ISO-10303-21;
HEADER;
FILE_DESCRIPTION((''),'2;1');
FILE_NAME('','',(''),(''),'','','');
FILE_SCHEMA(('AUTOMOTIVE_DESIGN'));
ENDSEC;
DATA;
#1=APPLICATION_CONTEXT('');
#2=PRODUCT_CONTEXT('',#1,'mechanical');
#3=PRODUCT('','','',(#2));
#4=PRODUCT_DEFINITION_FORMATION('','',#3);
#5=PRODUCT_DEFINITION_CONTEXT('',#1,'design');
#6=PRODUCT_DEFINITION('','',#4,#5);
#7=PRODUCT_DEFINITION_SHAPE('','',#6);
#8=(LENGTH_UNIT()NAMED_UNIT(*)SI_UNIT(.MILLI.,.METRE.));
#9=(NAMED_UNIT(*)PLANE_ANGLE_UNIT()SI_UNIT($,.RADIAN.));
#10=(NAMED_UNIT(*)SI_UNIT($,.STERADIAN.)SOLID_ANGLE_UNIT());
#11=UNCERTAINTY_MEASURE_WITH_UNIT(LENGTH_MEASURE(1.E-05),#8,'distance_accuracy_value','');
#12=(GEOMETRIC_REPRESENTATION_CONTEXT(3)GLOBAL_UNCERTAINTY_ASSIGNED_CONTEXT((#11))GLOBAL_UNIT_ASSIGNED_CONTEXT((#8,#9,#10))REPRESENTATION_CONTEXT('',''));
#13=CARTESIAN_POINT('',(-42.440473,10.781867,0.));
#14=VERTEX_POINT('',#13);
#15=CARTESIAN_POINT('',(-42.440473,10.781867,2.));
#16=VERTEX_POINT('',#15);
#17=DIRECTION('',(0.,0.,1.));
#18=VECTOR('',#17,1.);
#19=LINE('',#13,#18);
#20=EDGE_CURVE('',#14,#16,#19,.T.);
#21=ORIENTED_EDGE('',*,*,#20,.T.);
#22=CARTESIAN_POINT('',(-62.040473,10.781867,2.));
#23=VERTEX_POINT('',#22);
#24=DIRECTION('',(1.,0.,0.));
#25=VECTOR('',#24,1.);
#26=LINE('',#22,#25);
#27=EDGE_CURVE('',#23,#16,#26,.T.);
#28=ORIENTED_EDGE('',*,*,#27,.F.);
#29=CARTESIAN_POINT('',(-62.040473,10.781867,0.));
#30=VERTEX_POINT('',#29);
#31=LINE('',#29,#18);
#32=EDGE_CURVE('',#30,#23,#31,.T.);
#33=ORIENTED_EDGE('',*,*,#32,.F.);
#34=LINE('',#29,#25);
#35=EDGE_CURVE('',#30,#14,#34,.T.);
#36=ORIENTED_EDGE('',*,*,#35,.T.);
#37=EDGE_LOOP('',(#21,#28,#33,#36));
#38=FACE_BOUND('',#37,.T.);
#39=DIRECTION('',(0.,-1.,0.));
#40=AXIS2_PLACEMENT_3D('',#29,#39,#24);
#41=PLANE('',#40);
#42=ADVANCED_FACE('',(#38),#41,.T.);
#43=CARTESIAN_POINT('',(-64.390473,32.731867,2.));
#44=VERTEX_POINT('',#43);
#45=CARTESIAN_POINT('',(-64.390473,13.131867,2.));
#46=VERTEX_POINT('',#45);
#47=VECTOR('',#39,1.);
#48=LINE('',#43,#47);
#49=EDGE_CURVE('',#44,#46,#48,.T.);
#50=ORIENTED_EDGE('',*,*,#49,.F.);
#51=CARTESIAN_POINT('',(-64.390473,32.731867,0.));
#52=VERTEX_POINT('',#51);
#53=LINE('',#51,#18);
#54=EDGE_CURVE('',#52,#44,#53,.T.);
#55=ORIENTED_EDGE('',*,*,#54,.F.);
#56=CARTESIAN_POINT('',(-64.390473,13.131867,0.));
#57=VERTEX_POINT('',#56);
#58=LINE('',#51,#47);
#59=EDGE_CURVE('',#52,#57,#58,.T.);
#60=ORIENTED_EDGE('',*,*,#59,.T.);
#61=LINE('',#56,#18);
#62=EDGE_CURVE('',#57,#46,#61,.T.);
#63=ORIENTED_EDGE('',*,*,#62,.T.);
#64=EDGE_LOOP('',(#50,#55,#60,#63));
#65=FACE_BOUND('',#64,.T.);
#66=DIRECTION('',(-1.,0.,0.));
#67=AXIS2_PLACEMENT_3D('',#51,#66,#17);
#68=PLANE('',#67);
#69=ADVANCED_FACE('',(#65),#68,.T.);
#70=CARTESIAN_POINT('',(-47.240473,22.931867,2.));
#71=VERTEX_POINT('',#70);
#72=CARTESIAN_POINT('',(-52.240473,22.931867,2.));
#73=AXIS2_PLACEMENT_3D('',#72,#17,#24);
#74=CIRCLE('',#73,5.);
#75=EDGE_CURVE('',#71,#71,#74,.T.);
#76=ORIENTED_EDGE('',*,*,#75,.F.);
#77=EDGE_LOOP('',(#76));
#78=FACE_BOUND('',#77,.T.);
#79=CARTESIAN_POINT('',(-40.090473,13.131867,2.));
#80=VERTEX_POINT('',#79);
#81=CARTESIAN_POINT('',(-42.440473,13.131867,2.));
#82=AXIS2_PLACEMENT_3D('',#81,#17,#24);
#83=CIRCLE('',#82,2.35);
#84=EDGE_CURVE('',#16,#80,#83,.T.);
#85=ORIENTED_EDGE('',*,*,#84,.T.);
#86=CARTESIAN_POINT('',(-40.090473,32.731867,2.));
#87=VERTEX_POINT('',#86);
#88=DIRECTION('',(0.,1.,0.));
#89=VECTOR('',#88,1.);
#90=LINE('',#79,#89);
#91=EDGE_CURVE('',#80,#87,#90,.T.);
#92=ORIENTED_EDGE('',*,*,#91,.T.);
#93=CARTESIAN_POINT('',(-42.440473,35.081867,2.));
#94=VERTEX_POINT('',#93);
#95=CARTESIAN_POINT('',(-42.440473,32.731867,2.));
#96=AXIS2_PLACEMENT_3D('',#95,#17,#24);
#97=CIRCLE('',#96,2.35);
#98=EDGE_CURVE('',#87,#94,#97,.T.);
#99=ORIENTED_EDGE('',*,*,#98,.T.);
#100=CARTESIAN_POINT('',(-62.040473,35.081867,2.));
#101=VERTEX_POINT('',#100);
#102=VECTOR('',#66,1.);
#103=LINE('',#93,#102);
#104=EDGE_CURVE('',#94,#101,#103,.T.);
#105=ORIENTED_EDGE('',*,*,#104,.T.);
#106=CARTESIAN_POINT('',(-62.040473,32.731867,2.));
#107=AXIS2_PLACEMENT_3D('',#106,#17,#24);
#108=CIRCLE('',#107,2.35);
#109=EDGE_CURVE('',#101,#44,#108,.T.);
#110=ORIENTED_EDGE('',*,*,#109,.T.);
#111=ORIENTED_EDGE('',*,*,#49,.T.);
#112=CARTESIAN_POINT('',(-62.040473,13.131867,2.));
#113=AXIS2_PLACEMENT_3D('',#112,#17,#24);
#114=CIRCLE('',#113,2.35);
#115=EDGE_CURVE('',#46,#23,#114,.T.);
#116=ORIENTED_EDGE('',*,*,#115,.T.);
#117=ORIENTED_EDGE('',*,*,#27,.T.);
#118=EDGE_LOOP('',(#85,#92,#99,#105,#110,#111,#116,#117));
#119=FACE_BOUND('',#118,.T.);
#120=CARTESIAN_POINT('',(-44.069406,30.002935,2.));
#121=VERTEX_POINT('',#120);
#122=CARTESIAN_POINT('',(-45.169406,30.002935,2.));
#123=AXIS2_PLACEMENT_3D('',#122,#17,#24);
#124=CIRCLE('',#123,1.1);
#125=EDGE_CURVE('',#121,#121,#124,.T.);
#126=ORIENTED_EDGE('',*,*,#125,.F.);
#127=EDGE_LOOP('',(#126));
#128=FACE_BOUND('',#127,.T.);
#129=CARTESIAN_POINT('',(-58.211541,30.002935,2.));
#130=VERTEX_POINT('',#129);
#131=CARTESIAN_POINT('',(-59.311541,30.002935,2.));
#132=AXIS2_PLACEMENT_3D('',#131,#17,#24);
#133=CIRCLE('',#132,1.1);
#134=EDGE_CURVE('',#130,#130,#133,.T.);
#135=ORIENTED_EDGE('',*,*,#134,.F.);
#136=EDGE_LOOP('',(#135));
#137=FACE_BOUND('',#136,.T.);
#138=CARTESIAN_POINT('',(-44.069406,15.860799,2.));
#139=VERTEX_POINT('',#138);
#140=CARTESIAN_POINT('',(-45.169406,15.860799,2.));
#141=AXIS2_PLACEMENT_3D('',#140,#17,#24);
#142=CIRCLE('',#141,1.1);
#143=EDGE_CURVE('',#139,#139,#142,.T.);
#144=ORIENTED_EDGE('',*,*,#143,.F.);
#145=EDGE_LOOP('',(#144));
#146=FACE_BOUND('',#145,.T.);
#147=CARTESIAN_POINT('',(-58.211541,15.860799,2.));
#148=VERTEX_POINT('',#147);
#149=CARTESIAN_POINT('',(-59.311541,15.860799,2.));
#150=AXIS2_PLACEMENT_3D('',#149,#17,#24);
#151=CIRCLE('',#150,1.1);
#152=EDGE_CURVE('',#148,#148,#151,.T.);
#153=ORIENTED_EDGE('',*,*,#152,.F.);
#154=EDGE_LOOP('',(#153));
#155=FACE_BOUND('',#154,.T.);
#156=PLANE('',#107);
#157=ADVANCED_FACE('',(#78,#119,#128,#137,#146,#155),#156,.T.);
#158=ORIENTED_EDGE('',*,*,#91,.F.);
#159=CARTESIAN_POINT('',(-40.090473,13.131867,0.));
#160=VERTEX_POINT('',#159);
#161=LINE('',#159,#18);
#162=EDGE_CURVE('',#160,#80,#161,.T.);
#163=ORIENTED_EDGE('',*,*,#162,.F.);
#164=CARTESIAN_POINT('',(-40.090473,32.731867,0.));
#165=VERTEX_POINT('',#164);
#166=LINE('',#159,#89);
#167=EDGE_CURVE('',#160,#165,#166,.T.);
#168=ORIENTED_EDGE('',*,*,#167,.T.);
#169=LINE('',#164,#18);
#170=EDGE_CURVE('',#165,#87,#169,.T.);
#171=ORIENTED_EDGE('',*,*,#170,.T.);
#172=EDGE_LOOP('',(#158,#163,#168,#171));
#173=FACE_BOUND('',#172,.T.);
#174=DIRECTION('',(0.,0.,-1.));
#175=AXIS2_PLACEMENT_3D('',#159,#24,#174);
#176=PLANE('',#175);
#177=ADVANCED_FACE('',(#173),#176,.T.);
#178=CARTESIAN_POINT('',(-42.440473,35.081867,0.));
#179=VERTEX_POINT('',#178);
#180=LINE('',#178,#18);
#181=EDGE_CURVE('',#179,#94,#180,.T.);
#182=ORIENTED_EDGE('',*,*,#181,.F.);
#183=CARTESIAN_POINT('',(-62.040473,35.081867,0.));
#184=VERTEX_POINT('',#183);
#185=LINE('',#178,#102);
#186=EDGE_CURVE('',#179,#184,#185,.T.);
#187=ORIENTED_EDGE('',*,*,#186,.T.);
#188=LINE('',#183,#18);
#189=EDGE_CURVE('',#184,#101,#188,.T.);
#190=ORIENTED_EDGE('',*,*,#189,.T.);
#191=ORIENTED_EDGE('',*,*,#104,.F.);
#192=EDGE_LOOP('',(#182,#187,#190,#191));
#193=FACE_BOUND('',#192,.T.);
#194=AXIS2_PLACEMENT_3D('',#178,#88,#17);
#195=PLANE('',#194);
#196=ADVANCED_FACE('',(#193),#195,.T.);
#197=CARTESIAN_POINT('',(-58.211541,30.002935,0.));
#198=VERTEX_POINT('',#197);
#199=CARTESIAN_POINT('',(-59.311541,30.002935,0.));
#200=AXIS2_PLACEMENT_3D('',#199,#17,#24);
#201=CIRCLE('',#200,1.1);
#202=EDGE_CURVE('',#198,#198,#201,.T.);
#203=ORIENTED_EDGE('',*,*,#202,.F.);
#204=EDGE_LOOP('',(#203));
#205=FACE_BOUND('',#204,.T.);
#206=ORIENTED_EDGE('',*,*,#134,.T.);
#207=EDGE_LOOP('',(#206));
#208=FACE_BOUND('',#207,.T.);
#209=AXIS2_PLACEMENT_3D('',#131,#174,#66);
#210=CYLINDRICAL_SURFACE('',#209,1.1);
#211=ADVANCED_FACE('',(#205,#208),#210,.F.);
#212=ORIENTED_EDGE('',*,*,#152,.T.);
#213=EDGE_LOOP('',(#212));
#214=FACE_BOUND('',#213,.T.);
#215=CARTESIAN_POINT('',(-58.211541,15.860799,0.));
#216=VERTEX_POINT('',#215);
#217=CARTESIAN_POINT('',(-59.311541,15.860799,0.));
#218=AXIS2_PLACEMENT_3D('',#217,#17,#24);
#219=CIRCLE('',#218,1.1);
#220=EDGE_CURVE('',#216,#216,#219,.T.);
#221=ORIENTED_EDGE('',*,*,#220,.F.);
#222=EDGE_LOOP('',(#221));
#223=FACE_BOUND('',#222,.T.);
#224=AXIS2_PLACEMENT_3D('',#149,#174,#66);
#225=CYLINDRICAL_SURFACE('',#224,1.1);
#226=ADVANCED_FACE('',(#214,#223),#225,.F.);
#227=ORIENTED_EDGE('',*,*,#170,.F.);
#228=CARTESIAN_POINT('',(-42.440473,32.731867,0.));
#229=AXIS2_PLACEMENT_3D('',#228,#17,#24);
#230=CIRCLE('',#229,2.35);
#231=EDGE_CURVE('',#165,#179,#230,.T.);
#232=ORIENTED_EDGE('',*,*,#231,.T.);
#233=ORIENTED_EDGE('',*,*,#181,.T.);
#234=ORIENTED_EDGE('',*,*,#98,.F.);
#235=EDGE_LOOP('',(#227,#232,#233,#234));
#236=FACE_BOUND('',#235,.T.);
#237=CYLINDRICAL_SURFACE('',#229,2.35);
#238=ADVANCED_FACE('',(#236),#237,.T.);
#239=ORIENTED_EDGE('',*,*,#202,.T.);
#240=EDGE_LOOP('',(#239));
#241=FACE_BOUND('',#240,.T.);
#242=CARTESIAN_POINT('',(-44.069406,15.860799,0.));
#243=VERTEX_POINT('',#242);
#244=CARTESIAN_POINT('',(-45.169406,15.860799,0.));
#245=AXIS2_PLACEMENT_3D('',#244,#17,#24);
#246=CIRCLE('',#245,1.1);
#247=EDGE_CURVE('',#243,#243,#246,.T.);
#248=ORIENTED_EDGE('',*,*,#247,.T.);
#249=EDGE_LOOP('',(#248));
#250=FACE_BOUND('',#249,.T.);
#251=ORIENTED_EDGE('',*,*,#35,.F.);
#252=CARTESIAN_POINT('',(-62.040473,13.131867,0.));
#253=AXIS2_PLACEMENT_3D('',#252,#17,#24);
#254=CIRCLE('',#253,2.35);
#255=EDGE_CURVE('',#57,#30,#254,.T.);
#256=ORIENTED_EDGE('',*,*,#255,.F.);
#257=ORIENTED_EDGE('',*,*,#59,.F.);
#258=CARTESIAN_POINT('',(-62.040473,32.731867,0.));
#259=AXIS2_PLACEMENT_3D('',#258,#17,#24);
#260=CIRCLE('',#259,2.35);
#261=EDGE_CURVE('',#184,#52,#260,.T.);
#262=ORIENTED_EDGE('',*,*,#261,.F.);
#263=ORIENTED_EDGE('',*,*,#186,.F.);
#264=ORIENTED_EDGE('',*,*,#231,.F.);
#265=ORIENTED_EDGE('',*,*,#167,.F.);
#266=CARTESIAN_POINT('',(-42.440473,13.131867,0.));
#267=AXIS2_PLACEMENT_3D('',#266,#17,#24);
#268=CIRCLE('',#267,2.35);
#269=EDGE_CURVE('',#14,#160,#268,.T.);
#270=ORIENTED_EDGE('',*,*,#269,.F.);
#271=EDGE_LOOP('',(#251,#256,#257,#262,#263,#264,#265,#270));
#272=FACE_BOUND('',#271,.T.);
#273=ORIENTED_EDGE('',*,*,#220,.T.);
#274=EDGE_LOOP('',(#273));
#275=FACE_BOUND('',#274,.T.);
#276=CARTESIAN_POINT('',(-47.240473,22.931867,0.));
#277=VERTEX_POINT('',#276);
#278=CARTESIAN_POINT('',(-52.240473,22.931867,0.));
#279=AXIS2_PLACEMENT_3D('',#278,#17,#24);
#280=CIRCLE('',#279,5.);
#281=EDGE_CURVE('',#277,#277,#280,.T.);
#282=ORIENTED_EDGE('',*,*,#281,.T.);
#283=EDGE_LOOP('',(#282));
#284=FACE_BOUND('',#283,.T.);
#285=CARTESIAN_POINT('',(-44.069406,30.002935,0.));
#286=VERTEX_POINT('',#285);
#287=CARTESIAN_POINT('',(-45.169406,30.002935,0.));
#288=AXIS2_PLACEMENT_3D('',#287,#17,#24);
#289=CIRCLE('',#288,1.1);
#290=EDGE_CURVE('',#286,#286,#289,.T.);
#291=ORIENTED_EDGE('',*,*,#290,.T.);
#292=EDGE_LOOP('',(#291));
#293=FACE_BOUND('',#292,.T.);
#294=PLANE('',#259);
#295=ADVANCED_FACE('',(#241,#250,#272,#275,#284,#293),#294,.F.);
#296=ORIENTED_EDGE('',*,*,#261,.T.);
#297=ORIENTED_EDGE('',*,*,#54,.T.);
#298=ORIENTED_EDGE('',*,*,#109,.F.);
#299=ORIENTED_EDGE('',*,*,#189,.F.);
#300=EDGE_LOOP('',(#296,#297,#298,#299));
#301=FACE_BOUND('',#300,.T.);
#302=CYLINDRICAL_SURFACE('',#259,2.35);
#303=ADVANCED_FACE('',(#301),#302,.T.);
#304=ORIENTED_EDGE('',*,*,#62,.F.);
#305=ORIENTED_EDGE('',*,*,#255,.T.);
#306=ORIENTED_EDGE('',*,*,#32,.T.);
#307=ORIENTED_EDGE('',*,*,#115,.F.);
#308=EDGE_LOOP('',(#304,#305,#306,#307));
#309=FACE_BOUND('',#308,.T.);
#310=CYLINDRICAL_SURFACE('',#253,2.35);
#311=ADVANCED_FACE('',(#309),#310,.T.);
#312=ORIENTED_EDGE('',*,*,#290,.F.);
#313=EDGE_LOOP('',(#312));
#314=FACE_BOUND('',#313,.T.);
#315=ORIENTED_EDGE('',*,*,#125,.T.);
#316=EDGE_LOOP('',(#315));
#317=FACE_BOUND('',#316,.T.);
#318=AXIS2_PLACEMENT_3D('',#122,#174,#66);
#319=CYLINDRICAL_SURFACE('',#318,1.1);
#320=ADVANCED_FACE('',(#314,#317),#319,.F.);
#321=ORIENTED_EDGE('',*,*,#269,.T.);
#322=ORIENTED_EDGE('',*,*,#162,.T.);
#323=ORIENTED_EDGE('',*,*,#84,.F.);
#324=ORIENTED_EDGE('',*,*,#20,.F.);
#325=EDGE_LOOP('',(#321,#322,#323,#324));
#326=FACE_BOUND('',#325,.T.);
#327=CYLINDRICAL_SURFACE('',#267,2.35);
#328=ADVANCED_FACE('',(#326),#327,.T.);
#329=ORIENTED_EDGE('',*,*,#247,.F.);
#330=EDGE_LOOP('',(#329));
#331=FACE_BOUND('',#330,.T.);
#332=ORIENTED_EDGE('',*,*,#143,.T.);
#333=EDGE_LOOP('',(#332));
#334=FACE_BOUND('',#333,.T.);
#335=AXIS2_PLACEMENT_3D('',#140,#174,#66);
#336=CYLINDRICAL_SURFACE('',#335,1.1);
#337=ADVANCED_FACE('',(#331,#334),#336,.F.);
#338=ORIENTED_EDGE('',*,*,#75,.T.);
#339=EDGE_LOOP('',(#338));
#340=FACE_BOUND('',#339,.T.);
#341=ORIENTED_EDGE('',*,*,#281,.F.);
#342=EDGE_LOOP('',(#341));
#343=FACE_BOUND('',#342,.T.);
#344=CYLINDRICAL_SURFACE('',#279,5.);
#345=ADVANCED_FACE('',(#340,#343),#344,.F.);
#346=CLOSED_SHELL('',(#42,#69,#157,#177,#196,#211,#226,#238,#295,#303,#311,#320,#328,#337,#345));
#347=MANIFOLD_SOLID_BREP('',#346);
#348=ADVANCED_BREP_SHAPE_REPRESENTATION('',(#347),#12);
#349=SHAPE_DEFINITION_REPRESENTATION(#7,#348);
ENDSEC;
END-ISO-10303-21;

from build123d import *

# Parameters (mm, degrees)
CROQUIS1_R              = 1.1
CROQUIS1_R_2            = 3
SALIENTE_EXTRUIR1_DEPTH = 2
CORTAR_EXTRUIR1_START   = -2
CORTAR_EXTRUIR1_DEPTH   = 2
CROQUIS3_R              = 5
CORTAR_EXTRUIR2_DEPTH   = 2


with BuildPart() as part:
    # Croquis1 → Saliente-Extruir1 (new body)
    with BuildSketch(Plane.XY):
        with BuildLine():
            Line((-64.740473431, 32.731866916), (-64.740473431, 13.131866916))
            ThreePointArc((-64.740473431, 13.131866916), (-63.949661741, 11.222678607), (-62.040473431, 10.431866916))
            Line((-62.040473431, 10.431866916), (-42.440473431, 10.431866916))
            ThreePointArc((-42.440473431, 10.431866916), (-40.531285122, 11.222678607), (-39.740473431, 13.131866916))
            Line((-39.740473431, 13.131866916), (-39.740473431, 32.731866916))
            ThreePointArc((-39.740473431, 32.731866916), (-40.531285122, 34.641055225), (-42.440473431, 35.431866916))
            Line((-42.440473431, 35.431866916), (-62.040473431, 35.431866916))
            ThreePointArc((-62.040473431, 35.431866916), (-63.949661741, 34.641055225), (-64.740473431, 32.731866916))
        make_face()
        with Locations((-45.16940562, 30.002934728)):
            Circle(CROQUIS1_R, mode=Mode.SUBTRACT)
        with Locations((-52.240473431, 22.931866916)):
            Circle(CROQUIS1_R_2, mode=Mode.SUBTRACT)
        with Locations((-45.16940562, 15.860799104)):
            Circle(CROQUIS1_R, mode=Mode.SUBTRACT)
        with Locations((-59.311541243, 15.860799104)):
            Circle(CROQUIS1_R, mode=Mode.SUBTRACT)
        with Locations((-59.311541243, 30.002934728)):
            Circle(CROQUIS1_R, mode=Mode.SUBTRACT)
    extrude(amount=SALIENTE_EXTRUIR1_DEPTH)

    # Croquis2 → Cortar-Extruir1 (cut)
    with BuildSketch(Plane.XY.offset(2).offset(CORTAR_EXTRUIR1_START)):
        with BuildLine():
            Line((-64.740473431, 32.731866916), (-64.740473431, 13.131866916))
            ThreePointArc((-64.740473431, 13.131866916), (-63.949661741, 11.222678607), (-62.040473431, 10.431866916))
            Line((-62.040473431, 10.431866916), (-42.440473431, 10.431866916))
            ThreePointArc((-42.440473431, 10.431866916), (-40.531285122, 11.222678607), (-39.740473431, 13.131866916))
            Line((-39.740473431, 13.131866916), (-39.740473431, 32.731866916))
            ThreePointArc((-39.740473431, 32.731866916), (-40.531285122, 34.641055225), (-42.440473431, 35.431866916))
            Line((-42.440473431, 35.431866916), (-62.040473431, 35.431866916))
            ThreePointArc((-62.040473431, 35.431866916), (-63.949661741, 34.641055225), (-64.740473431, 32.731866916))
        make_face()
        with BuildLine():
            Line((-64.390473431, 32.731866916), (-64.390473431, 13.131866916))
            ThreePointArc((-64.390473431, 13.131866916), (-63.702174367, 11.47016598), (-62.040473431, 10.781866916))
            Line((-62.040473431, 10.781866916), (-42.440473431, 10.781866916))
            ThreePointArc((-42.440473431, 10.781866916), (-40.778772496, 11.47016598), (-40.090473431, 13.131866916))
            Line((-40.090473431, 13.131866916), (-40.090473431, 32.731866916))
            ThreePointArc((-40.090473431, 32.731866916), (-40.778772496, 34.393567852), (-42.440473431, 35.081866916))
            Line((-42.440473431, 35.081866916), (-62.040473431, 35.081866916))
            ThreePointArc((-62.040473431, 35.081866916), (-63.702174367, 34.393567852), (-64.390473431, 32.731866916))
        make_face(mode=Mode.SUBTRACT)
    extrude(amount=CORTAR_EXTRUIR1_DEPTH, mode=Mode.SUBTRACT)

    # Croquis3 → Cortar-Extruir2 (cut)
    with BuildSketch(Plane.XY.offset(2)):
        with Locations((-52.240473431, 22.931866916)):
            Circle(CROQUIS3_R)
    extrude(amount=-CORTAR_EXTRUIR2_DEPTH, mode=Mode.SUBTRACT)


solid = part.part
